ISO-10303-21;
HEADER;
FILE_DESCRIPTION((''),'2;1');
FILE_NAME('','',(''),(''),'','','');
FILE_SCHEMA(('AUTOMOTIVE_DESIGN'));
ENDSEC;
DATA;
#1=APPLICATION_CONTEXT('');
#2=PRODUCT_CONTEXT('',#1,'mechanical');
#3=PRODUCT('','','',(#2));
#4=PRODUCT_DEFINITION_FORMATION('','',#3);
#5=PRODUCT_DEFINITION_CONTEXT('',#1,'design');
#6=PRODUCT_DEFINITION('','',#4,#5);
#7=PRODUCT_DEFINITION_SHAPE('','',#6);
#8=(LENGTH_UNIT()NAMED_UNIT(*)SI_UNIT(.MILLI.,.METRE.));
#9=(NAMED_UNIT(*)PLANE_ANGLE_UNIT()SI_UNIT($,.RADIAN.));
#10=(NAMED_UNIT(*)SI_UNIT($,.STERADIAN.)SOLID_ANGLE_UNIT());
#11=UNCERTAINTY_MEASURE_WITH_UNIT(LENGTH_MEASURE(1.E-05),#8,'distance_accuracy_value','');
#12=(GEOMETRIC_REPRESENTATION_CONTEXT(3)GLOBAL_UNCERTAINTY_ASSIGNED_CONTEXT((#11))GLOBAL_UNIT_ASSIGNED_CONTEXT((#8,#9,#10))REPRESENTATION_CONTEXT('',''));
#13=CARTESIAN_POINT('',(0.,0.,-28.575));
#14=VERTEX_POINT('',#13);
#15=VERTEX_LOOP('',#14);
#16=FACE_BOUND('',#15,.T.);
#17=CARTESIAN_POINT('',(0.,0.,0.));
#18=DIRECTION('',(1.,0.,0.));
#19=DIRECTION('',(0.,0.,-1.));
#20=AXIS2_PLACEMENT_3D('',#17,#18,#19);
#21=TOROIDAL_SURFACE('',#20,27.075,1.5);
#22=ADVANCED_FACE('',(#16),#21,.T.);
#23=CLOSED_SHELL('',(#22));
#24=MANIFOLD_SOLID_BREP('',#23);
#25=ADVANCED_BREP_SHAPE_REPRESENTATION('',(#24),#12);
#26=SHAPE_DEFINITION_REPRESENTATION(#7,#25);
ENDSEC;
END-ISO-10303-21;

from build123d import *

# Parameters (mm, degrees)
ESBO_O1_R = 1.5


with BuildPart() as part:
    # Esboço1 → Revolução1 (revolve)
    with BuildSketch(Plane.XY):
        with Locations((0, 27.075)):
            Circle(ESBO_O1_R)
    revolve(axis=Axis((0, 0, 0), (-1, 0, 0)))


solid = part.part
